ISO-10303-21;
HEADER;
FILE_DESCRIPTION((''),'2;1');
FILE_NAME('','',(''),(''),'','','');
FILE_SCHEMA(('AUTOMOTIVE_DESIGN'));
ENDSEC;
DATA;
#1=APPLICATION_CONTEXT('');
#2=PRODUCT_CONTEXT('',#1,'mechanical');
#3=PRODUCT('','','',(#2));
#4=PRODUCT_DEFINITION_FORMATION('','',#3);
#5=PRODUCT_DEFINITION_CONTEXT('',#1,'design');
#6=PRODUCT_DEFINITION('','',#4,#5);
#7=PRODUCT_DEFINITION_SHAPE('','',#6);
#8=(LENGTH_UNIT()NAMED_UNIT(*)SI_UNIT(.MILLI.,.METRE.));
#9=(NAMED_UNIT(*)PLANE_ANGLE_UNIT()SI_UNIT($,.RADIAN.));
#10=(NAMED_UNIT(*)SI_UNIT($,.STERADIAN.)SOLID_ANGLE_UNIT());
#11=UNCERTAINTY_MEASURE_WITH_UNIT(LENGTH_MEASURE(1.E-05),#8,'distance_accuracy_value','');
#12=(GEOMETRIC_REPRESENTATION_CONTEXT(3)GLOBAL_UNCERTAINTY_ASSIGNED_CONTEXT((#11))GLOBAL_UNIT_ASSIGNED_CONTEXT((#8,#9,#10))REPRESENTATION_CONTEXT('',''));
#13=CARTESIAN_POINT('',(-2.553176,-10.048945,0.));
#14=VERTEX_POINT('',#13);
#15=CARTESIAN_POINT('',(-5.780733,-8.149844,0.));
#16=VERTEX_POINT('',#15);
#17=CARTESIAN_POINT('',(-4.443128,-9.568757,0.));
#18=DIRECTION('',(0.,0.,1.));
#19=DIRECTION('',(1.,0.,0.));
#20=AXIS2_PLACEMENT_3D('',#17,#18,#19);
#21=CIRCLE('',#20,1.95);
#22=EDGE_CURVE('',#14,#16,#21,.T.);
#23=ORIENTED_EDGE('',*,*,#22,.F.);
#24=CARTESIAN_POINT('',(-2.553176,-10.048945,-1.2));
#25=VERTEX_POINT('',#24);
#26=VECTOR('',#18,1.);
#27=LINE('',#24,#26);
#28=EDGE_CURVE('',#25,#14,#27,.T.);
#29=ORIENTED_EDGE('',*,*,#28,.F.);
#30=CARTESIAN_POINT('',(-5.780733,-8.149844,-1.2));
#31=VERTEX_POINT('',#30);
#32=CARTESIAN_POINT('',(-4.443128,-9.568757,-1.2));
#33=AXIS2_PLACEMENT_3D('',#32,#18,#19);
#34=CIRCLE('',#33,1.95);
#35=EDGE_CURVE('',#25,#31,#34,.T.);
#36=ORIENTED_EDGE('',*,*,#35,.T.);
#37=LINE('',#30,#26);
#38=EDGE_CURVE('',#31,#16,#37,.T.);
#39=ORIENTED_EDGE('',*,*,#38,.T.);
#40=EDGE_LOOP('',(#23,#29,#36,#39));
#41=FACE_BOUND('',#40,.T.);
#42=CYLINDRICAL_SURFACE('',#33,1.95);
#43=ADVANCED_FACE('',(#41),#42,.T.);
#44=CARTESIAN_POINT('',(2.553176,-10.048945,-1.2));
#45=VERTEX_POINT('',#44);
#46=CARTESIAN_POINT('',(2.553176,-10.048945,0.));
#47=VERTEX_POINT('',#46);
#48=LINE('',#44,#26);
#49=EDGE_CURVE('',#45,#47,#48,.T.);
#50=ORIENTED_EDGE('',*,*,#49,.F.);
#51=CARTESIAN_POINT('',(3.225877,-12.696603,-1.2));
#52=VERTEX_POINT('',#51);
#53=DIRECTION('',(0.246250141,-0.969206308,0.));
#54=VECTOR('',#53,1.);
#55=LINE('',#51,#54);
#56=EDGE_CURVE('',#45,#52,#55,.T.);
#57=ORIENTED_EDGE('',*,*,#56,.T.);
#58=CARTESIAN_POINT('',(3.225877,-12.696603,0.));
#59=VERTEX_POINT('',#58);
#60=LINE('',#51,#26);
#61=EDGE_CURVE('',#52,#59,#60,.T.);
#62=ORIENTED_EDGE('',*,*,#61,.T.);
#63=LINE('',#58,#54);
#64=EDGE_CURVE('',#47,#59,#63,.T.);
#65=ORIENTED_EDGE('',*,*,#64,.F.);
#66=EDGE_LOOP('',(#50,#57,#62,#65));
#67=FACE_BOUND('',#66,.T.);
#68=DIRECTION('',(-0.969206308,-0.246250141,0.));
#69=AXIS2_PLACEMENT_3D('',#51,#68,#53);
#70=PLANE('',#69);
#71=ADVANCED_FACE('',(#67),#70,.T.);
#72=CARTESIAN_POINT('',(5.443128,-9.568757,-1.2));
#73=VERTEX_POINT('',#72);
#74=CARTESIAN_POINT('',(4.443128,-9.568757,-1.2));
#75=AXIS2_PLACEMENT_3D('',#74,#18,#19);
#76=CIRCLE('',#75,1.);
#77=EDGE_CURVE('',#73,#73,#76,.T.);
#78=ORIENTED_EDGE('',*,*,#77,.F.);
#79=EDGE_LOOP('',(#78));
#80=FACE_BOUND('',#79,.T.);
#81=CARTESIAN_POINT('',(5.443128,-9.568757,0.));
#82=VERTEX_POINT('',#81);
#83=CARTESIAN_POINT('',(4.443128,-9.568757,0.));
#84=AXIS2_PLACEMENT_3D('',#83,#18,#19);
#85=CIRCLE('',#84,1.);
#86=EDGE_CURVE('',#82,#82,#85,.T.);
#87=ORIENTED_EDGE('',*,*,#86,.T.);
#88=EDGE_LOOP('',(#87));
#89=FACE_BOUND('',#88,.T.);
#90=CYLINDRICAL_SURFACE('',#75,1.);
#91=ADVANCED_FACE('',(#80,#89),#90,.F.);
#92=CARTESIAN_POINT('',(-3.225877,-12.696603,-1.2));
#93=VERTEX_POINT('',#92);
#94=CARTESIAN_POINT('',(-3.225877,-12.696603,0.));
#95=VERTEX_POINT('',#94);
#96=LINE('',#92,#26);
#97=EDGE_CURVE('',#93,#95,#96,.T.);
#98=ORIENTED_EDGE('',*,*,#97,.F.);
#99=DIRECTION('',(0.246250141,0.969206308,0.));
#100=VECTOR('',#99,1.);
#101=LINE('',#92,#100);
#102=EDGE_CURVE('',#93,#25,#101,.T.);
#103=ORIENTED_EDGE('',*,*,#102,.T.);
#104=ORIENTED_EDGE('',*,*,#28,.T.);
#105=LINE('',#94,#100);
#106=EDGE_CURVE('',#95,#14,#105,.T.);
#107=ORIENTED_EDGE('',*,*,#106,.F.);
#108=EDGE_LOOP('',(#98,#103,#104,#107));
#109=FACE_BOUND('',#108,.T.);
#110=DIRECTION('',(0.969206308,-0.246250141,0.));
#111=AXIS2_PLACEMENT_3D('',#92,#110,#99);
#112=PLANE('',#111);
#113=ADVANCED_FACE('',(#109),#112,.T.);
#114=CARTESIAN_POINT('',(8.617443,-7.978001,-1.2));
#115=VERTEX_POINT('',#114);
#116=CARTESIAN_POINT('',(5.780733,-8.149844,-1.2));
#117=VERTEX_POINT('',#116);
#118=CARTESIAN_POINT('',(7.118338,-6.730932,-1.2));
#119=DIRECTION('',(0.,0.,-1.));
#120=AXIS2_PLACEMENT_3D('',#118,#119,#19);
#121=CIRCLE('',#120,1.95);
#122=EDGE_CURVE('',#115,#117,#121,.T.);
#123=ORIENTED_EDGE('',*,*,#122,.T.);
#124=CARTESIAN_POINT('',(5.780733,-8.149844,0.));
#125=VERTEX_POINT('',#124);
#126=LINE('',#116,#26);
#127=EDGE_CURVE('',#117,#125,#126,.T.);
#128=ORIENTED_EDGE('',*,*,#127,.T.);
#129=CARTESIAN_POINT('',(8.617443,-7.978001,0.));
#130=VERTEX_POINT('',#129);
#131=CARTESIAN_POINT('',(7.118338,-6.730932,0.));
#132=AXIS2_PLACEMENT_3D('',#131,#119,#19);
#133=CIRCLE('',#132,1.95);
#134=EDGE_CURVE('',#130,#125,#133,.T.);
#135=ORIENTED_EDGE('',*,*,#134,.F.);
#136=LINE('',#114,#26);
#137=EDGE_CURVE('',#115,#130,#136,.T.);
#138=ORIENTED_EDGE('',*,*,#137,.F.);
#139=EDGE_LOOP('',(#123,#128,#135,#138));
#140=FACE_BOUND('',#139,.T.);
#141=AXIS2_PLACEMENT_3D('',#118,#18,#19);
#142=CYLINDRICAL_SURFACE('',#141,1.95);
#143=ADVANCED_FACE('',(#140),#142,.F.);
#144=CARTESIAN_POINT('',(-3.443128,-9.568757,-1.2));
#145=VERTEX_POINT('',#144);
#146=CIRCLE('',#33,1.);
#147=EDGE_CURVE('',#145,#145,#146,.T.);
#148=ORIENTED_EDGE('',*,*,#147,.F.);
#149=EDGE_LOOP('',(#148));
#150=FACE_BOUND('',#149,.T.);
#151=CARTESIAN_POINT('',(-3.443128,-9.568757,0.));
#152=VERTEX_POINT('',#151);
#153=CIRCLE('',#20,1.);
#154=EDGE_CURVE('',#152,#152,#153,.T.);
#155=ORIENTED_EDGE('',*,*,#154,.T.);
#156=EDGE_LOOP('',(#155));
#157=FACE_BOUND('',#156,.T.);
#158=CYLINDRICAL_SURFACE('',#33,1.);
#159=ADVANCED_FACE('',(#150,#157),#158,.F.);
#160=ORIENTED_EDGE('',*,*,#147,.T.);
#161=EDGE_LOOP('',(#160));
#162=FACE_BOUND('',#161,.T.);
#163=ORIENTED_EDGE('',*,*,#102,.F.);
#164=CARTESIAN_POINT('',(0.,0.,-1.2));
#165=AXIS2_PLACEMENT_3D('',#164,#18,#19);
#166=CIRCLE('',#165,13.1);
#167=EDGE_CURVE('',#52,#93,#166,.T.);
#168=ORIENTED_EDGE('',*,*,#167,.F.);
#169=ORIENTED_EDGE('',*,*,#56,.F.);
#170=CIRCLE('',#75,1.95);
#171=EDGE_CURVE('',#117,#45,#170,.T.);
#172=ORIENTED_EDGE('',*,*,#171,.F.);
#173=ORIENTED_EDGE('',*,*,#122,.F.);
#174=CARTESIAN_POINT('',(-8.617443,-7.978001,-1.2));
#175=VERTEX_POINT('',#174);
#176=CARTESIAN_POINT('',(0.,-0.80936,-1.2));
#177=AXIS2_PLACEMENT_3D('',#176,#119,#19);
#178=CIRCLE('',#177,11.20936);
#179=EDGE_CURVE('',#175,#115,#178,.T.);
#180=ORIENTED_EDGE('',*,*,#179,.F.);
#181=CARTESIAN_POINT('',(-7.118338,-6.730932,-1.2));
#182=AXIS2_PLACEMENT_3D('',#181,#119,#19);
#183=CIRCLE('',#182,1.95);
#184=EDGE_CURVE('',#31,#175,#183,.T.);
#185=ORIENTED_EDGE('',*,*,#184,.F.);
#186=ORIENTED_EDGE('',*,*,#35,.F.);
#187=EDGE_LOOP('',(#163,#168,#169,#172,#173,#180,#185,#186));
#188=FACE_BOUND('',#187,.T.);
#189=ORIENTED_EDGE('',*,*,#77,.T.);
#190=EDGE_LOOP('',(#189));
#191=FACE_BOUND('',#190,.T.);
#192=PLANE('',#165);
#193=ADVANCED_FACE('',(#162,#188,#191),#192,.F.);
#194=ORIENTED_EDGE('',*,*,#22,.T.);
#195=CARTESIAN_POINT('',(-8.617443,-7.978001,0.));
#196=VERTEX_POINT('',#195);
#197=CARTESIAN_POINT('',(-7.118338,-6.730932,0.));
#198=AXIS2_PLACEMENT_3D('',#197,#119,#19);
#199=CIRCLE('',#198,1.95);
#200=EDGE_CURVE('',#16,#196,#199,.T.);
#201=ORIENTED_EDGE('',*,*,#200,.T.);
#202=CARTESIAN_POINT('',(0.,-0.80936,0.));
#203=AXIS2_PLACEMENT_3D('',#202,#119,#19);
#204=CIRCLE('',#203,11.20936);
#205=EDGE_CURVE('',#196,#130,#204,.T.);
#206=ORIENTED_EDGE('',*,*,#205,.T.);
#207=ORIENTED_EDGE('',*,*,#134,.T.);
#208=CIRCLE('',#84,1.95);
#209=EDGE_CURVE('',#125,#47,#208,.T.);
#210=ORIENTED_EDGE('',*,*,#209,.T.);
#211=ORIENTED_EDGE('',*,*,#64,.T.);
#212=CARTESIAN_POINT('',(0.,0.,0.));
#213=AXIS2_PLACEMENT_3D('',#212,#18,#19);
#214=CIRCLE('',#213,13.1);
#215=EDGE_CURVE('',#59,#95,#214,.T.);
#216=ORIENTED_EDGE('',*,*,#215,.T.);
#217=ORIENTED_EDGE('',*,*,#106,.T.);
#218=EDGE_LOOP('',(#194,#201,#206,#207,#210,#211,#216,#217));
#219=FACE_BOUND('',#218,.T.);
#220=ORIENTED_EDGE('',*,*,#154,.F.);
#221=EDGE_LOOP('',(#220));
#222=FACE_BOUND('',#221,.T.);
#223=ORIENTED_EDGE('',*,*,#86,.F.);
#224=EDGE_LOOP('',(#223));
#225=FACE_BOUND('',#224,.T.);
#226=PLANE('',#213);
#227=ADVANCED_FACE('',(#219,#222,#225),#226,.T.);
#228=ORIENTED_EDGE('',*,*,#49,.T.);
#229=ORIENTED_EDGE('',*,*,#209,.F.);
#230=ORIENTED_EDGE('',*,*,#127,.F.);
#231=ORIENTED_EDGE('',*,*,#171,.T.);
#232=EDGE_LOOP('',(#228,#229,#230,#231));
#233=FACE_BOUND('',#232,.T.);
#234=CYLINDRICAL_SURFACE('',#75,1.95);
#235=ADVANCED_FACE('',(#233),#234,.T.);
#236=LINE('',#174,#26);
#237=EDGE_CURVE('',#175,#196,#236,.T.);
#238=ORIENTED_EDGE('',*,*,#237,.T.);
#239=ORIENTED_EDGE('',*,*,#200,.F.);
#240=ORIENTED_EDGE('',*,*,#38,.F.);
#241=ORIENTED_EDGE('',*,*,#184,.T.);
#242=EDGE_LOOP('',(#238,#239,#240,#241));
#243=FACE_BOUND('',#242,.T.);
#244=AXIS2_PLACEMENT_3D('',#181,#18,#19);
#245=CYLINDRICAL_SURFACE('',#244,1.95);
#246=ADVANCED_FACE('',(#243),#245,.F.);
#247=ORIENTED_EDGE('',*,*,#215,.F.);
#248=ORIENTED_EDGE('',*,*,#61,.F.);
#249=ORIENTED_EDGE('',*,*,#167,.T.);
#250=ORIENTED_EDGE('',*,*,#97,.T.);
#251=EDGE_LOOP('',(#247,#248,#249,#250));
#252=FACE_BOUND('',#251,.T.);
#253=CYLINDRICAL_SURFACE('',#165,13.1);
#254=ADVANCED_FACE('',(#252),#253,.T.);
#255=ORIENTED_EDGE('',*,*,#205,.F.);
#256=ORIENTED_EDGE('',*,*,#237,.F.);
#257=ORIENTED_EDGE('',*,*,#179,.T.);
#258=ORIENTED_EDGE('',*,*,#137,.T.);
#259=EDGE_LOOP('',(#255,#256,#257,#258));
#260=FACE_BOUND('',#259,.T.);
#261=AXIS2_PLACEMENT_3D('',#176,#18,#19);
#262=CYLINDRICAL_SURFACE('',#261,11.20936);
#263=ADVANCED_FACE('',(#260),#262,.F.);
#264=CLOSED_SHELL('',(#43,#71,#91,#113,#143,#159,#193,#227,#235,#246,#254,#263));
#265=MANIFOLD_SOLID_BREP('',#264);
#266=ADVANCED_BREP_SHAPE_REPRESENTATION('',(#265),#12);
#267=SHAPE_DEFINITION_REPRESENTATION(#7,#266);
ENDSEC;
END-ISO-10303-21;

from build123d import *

# Parameters (mm, degrees)
BODYSKE_R  = 1
BODY_DEPTH = 1.2


with BuildPart() as part:
    # BodySke → Body (new body)
    with BuildSketch(Plane.XY):
        with BuildLine():
            Line((3.225876843, -12.69660264), (2.5531758, -10.048944887))
            ThreePointArc((2.5531758, -10.048944887), (3.454230928, -7.88810772), (5.780732922, -8.149844379))
            ThreePointArc((5.780732922, -8.149844379), (7.236249385, -8.67736347), (8.617443386, -7.978001119))
            ThreePointArc((8.617443386, -7.978001119), (0, 10.4), (-8.617443386, -7.978001119))
            ThreePointArc((-8.617443386, -7.978001119), (-7.236249385, -8.67736347), (-5.780732922, -8.149844379))
            ThreePointArc((-5.780732922, -8.149844379), (-3.454230928, -7.88810772), (-2.5531758, -10.048944887))
            Line((-2.5531758, -10.048944887), (-3.225876843, -12.69660264))
            ThreePointArc((-3.225876843, -12.69660264), (0, 13.1), (3.225876843, -12.69660264))
        make_face()
        with Locations((4.443128102, -9.568757112)):
            Circle(BODYSKE_R, mode=Mode.SUBTRACT)
        with Locations((-4.443128102, -9.568757112)):
            Circle(BODYSKE_R, mode=Mode.SUBTRACT)
    extrude(amount=-BODY_DEPTH)


solid = part.part
